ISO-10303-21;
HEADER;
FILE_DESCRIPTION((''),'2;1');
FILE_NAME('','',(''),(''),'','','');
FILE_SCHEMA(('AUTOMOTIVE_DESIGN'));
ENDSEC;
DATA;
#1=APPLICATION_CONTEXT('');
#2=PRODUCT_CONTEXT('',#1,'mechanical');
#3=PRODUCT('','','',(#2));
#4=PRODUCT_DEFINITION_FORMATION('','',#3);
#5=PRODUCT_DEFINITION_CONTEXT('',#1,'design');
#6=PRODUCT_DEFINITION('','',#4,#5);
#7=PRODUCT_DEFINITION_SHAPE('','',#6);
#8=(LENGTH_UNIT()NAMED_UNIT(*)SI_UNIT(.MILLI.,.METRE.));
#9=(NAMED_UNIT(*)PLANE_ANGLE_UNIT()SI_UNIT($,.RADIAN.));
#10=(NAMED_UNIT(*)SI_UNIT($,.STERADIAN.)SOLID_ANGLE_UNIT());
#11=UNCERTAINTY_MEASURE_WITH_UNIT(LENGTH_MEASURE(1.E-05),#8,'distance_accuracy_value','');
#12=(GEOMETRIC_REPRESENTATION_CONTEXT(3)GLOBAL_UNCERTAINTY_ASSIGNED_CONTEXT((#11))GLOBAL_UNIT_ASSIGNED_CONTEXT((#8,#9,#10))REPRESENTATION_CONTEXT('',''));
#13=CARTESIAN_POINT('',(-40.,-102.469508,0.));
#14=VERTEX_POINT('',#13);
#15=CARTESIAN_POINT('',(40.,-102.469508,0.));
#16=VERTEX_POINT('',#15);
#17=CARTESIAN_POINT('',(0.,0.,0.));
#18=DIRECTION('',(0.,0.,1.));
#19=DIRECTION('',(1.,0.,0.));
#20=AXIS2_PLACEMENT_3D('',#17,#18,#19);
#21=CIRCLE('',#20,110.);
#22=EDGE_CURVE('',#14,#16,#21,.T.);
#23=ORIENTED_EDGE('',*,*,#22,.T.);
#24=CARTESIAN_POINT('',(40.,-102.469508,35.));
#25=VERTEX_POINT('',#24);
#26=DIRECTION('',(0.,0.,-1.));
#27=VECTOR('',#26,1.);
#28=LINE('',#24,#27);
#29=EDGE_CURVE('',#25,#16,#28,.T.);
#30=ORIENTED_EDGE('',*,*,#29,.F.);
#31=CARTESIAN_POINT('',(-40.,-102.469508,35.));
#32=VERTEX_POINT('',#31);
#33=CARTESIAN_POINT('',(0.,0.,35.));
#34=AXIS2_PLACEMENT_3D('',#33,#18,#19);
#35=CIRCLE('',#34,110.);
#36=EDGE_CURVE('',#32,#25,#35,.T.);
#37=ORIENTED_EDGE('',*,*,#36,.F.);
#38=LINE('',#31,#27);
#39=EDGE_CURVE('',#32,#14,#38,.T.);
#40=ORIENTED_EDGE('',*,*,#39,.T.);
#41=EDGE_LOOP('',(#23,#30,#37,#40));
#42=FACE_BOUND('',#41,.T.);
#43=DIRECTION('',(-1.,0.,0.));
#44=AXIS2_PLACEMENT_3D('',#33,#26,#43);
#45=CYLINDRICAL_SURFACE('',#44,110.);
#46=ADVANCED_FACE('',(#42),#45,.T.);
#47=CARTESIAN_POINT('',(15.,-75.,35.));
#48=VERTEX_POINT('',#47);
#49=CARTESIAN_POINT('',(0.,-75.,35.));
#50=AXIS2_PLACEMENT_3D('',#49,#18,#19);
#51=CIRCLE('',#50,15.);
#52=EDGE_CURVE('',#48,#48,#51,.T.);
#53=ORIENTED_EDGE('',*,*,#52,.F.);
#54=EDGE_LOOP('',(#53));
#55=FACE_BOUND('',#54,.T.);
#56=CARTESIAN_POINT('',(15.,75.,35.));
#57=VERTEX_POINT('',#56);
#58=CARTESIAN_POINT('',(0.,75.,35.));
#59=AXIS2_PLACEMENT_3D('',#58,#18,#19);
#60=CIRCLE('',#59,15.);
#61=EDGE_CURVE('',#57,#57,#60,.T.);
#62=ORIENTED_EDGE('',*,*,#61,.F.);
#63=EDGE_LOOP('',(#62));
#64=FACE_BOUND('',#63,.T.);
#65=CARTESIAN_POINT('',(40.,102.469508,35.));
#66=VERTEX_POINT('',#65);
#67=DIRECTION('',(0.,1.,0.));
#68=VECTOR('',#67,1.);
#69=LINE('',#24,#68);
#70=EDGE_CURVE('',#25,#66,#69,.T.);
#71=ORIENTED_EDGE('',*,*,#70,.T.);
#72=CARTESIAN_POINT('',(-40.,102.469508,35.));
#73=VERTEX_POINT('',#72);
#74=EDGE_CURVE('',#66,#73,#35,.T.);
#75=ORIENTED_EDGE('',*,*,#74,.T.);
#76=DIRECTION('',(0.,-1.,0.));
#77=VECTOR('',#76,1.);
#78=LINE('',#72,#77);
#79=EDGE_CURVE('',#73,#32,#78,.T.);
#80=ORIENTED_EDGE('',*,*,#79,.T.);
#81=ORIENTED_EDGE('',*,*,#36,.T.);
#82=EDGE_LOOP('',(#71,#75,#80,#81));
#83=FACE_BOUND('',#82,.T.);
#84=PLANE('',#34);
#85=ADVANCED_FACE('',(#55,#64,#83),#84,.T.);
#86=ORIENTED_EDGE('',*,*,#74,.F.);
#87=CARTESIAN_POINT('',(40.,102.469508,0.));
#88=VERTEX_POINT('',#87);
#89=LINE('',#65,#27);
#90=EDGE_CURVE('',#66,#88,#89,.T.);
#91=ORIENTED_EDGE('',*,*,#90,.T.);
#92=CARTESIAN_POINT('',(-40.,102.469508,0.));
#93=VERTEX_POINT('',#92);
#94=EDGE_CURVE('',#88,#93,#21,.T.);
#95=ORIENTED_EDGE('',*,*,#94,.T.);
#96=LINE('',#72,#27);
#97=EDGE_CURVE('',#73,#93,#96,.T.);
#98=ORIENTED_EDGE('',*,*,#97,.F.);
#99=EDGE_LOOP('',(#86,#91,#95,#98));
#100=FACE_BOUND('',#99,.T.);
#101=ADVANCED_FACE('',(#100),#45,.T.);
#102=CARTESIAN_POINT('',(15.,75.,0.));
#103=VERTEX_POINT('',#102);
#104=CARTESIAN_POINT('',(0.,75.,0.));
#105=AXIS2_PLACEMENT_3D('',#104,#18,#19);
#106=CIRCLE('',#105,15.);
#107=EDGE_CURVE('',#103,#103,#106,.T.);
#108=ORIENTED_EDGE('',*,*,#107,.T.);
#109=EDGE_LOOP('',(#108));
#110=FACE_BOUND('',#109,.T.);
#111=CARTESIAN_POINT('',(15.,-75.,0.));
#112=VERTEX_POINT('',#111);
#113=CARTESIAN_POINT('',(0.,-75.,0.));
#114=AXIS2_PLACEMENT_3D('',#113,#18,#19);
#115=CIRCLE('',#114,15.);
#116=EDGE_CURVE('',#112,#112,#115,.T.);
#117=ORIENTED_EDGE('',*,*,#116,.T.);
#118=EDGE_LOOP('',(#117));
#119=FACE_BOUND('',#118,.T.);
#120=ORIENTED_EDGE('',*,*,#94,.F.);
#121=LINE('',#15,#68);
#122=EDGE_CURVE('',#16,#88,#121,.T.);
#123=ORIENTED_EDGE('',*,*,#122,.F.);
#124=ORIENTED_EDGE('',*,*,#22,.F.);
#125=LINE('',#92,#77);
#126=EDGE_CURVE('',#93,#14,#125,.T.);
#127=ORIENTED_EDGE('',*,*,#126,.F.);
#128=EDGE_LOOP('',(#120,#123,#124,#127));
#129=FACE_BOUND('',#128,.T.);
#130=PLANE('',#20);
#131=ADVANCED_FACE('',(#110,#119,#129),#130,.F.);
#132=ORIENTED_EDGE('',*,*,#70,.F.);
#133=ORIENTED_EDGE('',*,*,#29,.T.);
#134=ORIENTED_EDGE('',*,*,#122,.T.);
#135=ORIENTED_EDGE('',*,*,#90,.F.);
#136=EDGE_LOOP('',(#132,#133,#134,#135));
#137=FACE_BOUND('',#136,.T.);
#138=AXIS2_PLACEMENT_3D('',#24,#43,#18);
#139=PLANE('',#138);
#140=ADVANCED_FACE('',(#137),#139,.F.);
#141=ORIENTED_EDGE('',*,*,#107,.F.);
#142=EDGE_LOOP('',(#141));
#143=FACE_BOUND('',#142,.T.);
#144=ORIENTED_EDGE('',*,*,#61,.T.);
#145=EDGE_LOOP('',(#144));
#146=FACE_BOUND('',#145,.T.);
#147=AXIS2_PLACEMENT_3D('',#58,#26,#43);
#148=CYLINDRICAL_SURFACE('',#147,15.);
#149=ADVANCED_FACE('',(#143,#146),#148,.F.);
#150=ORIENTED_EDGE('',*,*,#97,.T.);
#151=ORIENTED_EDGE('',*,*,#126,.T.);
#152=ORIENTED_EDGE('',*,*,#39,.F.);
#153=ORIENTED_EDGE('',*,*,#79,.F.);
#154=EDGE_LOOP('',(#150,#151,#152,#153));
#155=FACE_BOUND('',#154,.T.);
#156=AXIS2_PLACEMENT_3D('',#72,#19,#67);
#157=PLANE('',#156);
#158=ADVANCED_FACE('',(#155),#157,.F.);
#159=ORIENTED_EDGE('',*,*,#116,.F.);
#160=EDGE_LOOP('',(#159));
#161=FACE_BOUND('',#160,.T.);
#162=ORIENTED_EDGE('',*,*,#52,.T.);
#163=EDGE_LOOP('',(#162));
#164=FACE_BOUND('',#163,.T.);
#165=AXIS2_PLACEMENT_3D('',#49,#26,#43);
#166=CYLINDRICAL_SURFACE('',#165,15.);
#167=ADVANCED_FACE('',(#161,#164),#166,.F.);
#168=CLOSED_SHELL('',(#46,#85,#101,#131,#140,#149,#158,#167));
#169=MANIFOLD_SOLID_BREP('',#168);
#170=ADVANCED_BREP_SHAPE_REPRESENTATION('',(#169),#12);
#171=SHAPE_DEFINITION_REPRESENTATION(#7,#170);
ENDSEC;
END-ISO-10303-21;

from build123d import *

# Parameters (mm, degrees)
SKETCH1_R           = 15
BOSS_EXTRUDE1_DEPTH = 35


with BuildPart() as part:
    # Sketch1 → Boss-Extrude1 (new body)
    with BuildSketch(Plane.XY):
        with BuildLine():
            Line((-40, 102.46950766), (-40, -102.46950766))
            ThreePointArc((-40, -102.46950766), (0, -110), (40, -102.46950766))
            Line((40, -102.46950766), (40, 102.46950766))
            ThreePointArc((40, 102.46950766), (0, 110), (-40, 102.46950766))
        make_face()
        with Locations((0, 75)):
            Circle(SKETCH1_R, mode=Mode.SUBTRACT)
        with Locations((0, -75)):
            Circle(SKETCH1_R, mode=Mode.SUBTRACT)
    extrude(amount=BOSS_EXTRUDE1_DEPTH)


solid = part.part
